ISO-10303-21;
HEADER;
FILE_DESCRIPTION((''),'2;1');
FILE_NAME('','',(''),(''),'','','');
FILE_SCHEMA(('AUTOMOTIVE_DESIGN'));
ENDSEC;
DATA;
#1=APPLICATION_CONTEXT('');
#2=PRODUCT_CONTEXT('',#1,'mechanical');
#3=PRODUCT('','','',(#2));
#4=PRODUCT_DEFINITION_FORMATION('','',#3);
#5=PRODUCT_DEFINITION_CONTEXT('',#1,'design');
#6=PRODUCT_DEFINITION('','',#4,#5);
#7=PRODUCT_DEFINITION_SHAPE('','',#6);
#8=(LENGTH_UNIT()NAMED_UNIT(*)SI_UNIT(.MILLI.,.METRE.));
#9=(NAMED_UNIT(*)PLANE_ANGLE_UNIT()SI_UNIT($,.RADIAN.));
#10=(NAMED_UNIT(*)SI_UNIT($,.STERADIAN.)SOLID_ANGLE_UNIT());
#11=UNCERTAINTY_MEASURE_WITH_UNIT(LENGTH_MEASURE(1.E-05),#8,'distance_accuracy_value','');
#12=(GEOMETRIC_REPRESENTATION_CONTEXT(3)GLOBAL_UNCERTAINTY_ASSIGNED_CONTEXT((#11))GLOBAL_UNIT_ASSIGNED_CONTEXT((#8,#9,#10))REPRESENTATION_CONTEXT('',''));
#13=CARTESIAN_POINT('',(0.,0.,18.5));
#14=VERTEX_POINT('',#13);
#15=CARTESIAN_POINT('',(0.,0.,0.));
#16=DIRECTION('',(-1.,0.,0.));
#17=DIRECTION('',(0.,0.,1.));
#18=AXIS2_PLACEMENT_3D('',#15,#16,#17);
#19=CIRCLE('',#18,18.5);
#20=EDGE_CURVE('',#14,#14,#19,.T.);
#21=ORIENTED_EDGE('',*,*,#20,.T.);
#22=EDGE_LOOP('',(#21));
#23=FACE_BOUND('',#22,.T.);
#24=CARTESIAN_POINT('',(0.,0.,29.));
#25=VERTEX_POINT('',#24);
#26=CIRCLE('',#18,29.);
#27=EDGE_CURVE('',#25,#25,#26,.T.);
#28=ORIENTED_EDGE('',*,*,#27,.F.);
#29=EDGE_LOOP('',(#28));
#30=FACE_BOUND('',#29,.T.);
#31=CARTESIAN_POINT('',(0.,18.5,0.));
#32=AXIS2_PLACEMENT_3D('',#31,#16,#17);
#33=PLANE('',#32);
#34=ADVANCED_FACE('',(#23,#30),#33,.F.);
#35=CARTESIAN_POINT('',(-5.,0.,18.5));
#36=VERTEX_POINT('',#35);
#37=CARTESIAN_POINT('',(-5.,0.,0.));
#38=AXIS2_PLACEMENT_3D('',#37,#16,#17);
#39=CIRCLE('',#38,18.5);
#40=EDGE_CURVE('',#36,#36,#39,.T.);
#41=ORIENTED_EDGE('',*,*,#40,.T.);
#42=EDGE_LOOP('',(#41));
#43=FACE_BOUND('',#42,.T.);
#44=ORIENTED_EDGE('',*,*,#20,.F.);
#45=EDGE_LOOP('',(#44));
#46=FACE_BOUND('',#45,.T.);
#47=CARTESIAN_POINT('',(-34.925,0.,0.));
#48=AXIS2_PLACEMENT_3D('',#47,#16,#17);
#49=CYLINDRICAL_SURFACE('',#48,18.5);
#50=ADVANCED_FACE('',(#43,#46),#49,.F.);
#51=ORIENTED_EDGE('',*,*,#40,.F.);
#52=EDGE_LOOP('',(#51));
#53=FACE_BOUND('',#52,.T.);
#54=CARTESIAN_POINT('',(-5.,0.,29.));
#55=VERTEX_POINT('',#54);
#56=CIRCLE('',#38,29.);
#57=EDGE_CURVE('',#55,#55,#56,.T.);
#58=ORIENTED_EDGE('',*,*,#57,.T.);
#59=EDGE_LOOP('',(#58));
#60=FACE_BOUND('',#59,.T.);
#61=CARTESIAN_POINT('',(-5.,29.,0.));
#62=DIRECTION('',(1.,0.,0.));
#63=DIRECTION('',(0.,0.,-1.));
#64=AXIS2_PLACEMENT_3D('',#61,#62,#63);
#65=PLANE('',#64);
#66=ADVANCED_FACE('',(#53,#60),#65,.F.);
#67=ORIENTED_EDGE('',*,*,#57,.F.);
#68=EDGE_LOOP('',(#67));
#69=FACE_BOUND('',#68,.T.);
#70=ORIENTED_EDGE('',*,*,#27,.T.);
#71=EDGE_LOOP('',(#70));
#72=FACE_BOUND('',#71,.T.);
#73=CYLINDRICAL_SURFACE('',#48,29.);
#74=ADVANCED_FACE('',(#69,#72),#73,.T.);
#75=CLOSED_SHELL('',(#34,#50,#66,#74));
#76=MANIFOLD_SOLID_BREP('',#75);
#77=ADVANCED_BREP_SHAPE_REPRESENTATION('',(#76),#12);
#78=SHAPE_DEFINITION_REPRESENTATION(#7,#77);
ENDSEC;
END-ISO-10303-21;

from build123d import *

# Parameters (mm, degrees)
SKETCH1_W = 5
SKETCH1_H = 10.5


with BuildPart() as part:
    # Sketch1 → Base-Revolve (revolve)
    with BuildSketch(Plane.XY, mode=Mode.PRIVATE) as base_revolve_sk:
        with Locations((-2.5, 23.75)):
            Rectangle(SKETCH1_W, SKETCH1_H)
    revolve(base_revolve_sk.sketch.rotate(Axis((-34.925, 0, 0), (1, 0, 0)), 90), axis=Axis((-34.925, 0, 0), (1, 0, 0)))


solid = part.part
